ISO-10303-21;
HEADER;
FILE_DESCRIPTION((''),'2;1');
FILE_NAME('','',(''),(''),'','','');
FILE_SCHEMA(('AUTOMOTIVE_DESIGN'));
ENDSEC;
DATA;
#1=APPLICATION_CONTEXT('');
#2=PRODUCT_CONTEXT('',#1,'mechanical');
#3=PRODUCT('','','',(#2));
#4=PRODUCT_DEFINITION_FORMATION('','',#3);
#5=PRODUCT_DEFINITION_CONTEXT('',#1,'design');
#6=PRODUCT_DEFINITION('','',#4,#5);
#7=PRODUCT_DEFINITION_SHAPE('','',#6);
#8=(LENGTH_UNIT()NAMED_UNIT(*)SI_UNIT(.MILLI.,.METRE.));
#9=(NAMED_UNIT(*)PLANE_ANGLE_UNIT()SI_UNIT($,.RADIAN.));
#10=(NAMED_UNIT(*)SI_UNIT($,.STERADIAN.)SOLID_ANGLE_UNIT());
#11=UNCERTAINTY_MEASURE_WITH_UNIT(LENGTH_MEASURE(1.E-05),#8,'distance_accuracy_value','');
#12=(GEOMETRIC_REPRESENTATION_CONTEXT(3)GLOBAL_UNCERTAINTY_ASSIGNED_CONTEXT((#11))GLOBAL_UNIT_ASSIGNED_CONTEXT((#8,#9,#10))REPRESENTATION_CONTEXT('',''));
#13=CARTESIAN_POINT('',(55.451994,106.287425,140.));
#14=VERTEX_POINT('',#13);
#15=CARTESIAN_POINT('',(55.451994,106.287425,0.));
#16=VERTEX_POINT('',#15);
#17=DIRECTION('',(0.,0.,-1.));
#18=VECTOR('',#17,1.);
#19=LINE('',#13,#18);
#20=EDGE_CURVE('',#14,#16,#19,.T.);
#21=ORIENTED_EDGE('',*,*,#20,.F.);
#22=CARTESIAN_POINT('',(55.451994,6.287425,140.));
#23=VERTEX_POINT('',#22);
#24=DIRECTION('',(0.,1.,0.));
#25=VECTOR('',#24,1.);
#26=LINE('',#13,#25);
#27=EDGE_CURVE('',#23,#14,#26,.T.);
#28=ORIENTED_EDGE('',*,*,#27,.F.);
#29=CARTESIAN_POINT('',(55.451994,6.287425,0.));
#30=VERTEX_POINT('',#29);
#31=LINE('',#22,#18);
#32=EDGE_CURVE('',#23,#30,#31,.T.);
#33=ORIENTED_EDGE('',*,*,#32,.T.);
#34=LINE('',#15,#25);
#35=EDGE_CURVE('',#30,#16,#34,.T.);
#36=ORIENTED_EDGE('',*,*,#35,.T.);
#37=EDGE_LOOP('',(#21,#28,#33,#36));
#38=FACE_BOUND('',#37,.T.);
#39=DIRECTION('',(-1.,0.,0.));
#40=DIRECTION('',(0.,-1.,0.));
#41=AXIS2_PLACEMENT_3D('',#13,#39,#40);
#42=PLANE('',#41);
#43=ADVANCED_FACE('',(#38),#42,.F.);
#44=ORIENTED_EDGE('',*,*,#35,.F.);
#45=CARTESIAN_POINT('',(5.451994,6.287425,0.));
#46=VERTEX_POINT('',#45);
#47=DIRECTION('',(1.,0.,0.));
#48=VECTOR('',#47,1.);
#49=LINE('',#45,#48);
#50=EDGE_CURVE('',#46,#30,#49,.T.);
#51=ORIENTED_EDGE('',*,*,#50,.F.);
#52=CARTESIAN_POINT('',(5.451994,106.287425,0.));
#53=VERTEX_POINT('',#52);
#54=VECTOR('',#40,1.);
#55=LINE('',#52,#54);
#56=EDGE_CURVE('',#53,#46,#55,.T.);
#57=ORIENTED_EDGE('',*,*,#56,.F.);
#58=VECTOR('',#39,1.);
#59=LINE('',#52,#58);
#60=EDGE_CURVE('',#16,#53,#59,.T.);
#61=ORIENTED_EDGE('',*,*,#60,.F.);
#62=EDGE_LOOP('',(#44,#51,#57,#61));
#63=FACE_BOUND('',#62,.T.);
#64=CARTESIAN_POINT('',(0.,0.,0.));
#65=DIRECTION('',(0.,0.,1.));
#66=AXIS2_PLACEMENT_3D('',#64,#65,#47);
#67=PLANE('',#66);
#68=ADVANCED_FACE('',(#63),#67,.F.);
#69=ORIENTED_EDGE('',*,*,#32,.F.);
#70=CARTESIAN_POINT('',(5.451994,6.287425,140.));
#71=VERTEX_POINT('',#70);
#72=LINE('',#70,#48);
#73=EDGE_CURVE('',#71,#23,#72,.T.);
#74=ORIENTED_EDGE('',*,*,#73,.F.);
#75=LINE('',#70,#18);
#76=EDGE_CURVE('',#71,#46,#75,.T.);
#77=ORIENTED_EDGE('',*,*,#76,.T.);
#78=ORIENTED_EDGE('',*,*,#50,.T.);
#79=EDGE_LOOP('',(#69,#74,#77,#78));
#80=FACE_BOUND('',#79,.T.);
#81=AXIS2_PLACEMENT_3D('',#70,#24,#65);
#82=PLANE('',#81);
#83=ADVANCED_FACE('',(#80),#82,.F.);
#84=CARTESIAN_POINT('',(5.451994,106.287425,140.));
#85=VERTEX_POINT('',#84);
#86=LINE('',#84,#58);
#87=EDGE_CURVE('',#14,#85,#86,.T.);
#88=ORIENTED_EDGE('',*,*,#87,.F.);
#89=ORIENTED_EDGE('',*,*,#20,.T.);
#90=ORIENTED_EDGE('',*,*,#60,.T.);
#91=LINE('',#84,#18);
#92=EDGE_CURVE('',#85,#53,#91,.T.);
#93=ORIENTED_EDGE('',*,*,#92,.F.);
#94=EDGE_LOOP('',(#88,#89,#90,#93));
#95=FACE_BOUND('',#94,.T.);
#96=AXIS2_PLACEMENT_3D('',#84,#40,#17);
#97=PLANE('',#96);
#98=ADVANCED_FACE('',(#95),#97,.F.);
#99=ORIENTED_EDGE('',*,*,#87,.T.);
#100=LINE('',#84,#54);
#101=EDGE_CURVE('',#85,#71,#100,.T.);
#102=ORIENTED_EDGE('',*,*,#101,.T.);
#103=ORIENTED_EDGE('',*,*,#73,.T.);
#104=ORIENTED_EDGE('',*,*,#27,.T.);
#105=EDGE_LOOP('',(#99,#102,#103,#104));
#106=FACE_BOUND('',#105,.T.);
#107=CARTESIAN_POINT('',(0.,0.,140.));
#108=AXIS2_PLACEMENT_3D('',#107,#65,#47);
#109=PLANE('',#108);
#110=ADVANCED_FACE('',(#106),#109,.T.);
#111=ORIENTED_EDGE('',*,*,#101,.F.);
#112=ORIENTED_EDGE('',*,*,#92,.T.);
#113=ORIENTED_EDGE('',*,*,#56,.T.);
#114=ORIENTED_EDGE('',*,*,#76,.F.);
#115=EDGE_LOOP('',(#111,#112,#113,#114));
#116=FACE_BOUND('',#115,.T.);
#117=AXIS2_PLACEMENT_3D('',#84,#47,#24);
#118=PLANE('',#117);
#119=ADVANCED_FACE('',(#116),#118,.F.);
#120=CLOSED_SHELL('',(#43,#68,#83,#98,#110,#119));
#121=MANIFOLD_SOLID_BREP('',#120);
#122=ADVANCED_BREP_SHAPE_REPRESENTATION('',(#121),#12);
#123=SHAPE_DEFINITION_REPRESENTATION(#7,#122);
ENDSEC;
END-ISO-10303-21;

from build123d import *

# Parameters (mm, degrees)
SKIZZE1_W                       = 50
SKIZZE1_H                       = 100
AUFSATZ_LINEAR_AUSTRAGEN1_DEPTH = 140


with BuildPart() as part:
    # Skizze1 → Aufsatz-Linear austragen1 (new body)
    with BuildSketch(Plane.XY):
        with Locations((30.451993927, 56.28742515)):
            Rectangle(SKIZZE1_W, SKIZZE1_H)
    extrude(amount=AUFSATZ_LINEAR_AUSTRAGEN1_DEPTH)


solid = part.part
